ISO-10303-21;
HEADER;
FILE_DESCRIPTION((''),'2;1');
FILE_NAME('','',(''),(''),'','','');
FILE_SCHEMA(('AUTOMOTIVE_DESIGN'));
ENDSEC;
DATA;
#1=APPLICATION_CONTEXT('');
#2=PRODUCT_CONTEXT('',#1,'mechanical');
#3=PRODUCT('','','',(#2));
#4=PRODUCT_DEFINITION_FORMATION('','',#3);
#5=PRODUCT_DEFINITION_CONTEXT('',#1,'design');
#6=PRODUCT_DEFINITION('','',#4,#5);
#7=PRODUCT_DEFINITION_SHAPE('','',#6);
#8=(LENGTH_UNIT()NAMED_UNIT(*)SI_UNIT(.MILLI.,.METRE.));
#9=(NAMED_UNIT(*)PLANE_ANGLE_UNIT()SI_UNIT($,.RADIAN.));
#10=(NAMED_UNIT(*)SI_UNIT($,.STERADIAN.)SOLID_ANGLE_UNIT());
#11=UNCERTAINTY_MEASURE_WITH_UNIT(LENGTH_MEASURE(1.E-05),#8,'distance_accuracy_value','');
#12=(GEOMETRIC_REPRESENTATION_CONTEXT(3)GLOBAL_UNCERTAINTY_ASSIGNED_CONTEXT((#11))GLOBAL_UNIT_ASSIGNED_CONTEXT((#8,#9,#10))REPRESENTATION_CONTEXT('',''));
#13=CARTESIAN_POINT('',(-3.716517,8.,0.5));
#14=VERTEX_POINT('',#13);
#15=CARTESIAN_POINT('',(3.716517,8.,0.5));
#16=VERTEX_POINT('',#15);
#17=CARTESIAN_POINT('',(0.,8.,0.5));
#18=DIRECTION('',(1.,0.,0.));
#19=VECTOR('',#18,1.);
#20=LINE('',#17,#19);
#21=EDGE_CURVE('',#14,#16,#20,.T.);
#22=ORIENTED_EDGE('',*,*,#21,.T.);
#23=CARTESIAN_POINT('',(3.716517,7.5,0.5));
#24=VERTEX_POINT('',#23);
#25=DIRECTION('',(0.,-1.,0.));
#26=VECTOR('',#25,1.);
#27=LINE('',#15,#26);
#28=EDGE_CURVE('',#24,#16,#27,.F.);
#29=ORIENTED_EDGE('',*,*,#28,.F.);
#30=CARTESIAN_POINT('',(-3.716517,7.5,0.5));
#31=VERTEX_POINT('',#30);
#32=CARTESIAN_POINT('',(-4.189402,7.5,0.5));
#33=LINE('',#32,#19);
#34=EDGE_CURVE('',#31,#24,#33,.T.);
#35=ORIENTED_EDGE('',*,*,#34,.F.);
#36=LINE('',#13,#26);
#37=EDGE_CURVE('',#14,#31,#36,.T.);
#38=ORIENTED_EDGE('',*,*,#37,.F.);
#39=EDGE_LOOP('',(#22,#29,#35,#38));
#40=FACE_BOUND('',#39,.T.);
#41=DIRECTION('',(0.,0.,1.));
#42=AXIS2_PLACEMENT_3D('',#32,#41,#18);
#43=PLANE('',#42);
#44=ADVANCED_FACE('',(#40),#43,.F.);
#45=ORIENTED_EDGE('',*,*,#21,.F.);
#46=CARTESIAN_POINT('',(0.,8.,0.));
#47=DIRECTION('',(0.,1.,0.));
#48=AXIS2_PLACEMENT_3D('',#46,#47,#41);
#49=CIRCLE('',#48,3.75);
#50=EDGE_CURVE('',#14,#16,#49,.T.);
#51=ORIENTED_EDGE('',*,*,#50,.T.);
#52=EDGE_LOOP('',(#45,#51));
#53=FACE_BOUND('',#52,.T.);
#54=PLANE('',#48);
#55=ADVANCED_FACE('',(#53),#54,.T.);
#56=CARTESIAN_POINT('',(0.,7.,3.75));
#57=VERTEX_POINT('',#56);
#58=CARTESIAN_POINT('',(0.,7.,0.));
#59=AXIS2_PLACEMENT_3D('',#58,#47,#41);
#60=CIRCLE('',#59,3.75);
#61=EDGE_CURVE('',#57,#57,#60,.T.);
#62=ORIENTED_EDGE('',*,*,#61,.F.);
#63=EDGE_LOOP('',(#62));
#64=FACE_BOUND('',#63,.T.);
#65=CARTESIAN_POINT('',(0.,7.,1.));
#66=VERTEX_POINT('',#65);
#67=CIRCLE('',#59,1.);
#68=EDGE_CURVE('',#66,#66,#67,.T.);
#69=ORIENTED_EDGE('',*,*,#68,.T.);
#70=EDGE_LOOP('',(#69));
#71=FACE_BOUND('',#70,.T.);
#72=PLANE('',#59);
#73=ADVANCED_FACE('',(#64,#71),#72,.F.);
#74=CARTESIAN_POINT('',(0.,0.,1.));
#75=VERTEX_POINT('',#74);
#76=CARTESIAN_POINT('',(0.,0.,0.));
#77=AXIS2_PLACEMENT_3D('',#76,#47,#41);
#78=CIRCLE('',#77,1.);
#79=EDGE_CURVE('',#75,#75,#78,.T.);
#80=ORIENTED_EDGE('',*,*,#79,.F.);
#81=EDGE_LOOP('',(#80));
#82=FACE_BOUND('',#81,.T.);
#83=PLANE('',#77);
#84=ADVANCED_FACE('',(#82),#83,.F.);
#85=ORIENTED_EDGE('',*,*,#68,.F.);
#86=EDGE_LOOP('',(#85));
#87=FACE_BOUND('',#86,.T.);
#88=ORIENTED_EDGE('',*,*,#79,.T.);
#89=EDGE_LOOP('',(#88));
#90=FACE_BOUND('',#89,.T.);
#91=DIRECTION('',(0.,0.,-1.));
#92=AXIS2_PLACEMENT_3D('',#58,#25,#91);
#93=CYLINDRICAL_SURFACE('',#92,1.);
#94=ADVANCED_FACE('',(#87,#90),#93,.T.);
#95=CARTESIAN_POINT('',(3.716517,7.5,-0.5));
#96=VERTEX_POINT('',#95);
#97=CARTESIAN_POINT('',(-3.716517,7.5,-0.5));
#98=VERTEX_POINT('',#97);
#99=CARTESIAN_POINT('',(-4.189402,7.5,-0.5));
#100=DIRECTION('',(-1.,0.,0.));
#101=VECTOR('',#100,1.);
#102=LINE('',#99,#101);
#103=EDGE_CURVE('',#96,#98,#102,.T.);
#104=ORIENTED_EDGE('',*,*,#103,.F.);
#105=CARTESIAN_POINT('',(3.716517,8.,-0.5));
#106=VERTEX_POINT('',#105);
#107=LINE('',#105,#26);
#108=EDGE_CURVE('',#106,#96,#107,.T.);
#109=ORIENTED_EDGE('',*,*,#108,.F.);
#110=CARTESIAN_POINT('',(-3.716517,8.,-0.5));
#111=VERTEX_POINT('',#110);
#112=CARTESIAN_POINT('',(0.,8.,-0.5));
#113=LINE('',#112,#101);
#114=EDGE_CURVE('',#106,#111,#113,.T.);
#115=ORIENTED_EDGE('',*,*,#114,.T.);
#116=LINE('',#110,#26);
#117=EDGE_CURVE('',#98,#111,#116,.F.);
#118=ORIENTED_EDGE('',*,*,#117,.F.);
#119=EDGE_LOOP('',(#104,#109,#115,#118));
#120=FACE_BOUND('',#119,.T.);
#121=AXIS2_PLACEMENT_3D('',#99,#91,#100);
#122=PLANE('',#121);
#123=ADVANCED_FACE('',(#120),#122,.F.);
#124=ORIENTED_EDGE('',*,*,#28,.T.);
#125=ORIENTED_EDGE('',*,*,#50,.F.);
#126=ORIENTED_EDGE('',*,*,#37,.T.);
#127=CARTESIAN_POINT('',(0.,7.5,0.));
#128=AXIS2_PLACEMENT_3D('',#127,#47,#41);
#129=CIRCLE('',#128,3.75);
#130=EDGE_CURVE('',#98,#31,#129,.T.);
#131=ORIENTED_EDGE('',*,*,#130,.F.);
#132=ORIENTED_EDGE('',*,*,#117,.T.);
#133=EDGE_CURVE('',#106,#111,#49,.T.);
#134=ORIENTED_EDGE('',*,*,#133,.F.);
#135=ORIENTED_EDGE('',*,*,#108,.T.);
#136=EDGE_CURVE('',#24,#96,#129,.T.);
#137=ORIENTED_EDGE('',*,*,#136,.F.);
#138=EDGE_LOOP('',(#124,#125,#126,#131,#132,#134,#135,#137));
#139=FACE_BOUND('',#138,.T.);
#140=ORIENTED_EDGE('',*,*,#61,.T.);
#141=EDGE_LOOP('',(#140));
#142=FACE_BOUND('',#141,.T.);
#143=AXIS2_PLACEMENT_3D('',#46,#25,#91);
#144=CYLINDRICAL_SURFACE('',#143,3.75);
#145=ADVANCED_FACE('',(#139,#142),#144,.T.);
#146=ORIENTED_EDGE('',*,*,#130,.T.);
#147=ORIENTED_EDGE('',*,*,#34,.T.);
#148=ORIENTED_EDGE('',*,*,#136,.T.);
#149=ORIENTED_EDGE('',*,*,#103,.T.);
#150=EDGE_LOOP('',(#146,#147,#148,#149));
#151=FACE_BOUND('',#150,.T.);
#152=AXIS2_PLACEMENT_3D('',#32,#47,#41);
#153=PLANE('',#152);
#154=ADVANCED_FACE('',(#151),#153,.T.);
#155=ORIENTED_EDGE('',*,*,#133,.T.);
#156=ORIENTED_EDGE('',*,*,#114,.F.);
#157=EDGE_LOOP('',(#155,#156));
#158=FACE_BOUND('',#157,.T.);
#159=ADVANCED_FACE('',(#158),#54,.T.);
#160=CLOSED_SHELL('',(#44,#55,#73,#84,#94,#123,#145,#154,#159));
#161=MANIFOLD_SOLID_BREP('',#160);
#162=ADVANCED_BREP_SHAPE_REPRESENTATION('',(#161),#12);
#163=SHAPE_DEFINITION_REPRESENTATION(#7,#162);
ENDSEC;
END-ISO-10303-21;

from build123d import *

# Parameters (mm, degrees)
SKETCH_1_R          = 1
EXTRUDE_1_DEPTH     = 7
SKETCH_2_R          = 3.75
EXTRUDE_2_DEPTH     = 1
SKETCH_3_W          = 8.378804874
SKETCH_3_H          = 1
CUT_EXTRUDE_1_DEPTH = 0.5


with BuildPart() as part:
    # 草图1 → 拉伸1 (new body)
    with BuildSketch(Plane(origin=(0, 0, 0), x_dir=(1, 0, 0), z_dir=(0, 1, 0))):
        with Locations(Location((0, 0, 0), (0, 0, 270))):
            Circle(SKETCH_1_R)
    extrude(amount=EXTRUDE_1_DEPTH)

    # 草图2 → 拉伸2 (add)
    with BuildSketch(Plane(origin=(0, 7, 0), x_dir=(-1, 0, 0), z_dir=(0, 1, 0))):
        with Locations(Location((0, 0, 0), (0, 0, 90))):
            Circle(SKETCH_2_R)
    extrude(amount=EXTRUDE_2_DEPTH)

    # 草图3 → 切除-拉伸1 (cut)
    with BuildSketch(Plane(origin=(0, 8, 0), x_dir=(-1, 0, 0), z_dir=(0, 1, 0))):
        Rectangle(SKETCH_3_W, SKETCH_3_H)
    extrude(amount=-CUT_EXTRUDE_1_DEPTH, mode=Mode.SUBTRACT)


solid = part.part
